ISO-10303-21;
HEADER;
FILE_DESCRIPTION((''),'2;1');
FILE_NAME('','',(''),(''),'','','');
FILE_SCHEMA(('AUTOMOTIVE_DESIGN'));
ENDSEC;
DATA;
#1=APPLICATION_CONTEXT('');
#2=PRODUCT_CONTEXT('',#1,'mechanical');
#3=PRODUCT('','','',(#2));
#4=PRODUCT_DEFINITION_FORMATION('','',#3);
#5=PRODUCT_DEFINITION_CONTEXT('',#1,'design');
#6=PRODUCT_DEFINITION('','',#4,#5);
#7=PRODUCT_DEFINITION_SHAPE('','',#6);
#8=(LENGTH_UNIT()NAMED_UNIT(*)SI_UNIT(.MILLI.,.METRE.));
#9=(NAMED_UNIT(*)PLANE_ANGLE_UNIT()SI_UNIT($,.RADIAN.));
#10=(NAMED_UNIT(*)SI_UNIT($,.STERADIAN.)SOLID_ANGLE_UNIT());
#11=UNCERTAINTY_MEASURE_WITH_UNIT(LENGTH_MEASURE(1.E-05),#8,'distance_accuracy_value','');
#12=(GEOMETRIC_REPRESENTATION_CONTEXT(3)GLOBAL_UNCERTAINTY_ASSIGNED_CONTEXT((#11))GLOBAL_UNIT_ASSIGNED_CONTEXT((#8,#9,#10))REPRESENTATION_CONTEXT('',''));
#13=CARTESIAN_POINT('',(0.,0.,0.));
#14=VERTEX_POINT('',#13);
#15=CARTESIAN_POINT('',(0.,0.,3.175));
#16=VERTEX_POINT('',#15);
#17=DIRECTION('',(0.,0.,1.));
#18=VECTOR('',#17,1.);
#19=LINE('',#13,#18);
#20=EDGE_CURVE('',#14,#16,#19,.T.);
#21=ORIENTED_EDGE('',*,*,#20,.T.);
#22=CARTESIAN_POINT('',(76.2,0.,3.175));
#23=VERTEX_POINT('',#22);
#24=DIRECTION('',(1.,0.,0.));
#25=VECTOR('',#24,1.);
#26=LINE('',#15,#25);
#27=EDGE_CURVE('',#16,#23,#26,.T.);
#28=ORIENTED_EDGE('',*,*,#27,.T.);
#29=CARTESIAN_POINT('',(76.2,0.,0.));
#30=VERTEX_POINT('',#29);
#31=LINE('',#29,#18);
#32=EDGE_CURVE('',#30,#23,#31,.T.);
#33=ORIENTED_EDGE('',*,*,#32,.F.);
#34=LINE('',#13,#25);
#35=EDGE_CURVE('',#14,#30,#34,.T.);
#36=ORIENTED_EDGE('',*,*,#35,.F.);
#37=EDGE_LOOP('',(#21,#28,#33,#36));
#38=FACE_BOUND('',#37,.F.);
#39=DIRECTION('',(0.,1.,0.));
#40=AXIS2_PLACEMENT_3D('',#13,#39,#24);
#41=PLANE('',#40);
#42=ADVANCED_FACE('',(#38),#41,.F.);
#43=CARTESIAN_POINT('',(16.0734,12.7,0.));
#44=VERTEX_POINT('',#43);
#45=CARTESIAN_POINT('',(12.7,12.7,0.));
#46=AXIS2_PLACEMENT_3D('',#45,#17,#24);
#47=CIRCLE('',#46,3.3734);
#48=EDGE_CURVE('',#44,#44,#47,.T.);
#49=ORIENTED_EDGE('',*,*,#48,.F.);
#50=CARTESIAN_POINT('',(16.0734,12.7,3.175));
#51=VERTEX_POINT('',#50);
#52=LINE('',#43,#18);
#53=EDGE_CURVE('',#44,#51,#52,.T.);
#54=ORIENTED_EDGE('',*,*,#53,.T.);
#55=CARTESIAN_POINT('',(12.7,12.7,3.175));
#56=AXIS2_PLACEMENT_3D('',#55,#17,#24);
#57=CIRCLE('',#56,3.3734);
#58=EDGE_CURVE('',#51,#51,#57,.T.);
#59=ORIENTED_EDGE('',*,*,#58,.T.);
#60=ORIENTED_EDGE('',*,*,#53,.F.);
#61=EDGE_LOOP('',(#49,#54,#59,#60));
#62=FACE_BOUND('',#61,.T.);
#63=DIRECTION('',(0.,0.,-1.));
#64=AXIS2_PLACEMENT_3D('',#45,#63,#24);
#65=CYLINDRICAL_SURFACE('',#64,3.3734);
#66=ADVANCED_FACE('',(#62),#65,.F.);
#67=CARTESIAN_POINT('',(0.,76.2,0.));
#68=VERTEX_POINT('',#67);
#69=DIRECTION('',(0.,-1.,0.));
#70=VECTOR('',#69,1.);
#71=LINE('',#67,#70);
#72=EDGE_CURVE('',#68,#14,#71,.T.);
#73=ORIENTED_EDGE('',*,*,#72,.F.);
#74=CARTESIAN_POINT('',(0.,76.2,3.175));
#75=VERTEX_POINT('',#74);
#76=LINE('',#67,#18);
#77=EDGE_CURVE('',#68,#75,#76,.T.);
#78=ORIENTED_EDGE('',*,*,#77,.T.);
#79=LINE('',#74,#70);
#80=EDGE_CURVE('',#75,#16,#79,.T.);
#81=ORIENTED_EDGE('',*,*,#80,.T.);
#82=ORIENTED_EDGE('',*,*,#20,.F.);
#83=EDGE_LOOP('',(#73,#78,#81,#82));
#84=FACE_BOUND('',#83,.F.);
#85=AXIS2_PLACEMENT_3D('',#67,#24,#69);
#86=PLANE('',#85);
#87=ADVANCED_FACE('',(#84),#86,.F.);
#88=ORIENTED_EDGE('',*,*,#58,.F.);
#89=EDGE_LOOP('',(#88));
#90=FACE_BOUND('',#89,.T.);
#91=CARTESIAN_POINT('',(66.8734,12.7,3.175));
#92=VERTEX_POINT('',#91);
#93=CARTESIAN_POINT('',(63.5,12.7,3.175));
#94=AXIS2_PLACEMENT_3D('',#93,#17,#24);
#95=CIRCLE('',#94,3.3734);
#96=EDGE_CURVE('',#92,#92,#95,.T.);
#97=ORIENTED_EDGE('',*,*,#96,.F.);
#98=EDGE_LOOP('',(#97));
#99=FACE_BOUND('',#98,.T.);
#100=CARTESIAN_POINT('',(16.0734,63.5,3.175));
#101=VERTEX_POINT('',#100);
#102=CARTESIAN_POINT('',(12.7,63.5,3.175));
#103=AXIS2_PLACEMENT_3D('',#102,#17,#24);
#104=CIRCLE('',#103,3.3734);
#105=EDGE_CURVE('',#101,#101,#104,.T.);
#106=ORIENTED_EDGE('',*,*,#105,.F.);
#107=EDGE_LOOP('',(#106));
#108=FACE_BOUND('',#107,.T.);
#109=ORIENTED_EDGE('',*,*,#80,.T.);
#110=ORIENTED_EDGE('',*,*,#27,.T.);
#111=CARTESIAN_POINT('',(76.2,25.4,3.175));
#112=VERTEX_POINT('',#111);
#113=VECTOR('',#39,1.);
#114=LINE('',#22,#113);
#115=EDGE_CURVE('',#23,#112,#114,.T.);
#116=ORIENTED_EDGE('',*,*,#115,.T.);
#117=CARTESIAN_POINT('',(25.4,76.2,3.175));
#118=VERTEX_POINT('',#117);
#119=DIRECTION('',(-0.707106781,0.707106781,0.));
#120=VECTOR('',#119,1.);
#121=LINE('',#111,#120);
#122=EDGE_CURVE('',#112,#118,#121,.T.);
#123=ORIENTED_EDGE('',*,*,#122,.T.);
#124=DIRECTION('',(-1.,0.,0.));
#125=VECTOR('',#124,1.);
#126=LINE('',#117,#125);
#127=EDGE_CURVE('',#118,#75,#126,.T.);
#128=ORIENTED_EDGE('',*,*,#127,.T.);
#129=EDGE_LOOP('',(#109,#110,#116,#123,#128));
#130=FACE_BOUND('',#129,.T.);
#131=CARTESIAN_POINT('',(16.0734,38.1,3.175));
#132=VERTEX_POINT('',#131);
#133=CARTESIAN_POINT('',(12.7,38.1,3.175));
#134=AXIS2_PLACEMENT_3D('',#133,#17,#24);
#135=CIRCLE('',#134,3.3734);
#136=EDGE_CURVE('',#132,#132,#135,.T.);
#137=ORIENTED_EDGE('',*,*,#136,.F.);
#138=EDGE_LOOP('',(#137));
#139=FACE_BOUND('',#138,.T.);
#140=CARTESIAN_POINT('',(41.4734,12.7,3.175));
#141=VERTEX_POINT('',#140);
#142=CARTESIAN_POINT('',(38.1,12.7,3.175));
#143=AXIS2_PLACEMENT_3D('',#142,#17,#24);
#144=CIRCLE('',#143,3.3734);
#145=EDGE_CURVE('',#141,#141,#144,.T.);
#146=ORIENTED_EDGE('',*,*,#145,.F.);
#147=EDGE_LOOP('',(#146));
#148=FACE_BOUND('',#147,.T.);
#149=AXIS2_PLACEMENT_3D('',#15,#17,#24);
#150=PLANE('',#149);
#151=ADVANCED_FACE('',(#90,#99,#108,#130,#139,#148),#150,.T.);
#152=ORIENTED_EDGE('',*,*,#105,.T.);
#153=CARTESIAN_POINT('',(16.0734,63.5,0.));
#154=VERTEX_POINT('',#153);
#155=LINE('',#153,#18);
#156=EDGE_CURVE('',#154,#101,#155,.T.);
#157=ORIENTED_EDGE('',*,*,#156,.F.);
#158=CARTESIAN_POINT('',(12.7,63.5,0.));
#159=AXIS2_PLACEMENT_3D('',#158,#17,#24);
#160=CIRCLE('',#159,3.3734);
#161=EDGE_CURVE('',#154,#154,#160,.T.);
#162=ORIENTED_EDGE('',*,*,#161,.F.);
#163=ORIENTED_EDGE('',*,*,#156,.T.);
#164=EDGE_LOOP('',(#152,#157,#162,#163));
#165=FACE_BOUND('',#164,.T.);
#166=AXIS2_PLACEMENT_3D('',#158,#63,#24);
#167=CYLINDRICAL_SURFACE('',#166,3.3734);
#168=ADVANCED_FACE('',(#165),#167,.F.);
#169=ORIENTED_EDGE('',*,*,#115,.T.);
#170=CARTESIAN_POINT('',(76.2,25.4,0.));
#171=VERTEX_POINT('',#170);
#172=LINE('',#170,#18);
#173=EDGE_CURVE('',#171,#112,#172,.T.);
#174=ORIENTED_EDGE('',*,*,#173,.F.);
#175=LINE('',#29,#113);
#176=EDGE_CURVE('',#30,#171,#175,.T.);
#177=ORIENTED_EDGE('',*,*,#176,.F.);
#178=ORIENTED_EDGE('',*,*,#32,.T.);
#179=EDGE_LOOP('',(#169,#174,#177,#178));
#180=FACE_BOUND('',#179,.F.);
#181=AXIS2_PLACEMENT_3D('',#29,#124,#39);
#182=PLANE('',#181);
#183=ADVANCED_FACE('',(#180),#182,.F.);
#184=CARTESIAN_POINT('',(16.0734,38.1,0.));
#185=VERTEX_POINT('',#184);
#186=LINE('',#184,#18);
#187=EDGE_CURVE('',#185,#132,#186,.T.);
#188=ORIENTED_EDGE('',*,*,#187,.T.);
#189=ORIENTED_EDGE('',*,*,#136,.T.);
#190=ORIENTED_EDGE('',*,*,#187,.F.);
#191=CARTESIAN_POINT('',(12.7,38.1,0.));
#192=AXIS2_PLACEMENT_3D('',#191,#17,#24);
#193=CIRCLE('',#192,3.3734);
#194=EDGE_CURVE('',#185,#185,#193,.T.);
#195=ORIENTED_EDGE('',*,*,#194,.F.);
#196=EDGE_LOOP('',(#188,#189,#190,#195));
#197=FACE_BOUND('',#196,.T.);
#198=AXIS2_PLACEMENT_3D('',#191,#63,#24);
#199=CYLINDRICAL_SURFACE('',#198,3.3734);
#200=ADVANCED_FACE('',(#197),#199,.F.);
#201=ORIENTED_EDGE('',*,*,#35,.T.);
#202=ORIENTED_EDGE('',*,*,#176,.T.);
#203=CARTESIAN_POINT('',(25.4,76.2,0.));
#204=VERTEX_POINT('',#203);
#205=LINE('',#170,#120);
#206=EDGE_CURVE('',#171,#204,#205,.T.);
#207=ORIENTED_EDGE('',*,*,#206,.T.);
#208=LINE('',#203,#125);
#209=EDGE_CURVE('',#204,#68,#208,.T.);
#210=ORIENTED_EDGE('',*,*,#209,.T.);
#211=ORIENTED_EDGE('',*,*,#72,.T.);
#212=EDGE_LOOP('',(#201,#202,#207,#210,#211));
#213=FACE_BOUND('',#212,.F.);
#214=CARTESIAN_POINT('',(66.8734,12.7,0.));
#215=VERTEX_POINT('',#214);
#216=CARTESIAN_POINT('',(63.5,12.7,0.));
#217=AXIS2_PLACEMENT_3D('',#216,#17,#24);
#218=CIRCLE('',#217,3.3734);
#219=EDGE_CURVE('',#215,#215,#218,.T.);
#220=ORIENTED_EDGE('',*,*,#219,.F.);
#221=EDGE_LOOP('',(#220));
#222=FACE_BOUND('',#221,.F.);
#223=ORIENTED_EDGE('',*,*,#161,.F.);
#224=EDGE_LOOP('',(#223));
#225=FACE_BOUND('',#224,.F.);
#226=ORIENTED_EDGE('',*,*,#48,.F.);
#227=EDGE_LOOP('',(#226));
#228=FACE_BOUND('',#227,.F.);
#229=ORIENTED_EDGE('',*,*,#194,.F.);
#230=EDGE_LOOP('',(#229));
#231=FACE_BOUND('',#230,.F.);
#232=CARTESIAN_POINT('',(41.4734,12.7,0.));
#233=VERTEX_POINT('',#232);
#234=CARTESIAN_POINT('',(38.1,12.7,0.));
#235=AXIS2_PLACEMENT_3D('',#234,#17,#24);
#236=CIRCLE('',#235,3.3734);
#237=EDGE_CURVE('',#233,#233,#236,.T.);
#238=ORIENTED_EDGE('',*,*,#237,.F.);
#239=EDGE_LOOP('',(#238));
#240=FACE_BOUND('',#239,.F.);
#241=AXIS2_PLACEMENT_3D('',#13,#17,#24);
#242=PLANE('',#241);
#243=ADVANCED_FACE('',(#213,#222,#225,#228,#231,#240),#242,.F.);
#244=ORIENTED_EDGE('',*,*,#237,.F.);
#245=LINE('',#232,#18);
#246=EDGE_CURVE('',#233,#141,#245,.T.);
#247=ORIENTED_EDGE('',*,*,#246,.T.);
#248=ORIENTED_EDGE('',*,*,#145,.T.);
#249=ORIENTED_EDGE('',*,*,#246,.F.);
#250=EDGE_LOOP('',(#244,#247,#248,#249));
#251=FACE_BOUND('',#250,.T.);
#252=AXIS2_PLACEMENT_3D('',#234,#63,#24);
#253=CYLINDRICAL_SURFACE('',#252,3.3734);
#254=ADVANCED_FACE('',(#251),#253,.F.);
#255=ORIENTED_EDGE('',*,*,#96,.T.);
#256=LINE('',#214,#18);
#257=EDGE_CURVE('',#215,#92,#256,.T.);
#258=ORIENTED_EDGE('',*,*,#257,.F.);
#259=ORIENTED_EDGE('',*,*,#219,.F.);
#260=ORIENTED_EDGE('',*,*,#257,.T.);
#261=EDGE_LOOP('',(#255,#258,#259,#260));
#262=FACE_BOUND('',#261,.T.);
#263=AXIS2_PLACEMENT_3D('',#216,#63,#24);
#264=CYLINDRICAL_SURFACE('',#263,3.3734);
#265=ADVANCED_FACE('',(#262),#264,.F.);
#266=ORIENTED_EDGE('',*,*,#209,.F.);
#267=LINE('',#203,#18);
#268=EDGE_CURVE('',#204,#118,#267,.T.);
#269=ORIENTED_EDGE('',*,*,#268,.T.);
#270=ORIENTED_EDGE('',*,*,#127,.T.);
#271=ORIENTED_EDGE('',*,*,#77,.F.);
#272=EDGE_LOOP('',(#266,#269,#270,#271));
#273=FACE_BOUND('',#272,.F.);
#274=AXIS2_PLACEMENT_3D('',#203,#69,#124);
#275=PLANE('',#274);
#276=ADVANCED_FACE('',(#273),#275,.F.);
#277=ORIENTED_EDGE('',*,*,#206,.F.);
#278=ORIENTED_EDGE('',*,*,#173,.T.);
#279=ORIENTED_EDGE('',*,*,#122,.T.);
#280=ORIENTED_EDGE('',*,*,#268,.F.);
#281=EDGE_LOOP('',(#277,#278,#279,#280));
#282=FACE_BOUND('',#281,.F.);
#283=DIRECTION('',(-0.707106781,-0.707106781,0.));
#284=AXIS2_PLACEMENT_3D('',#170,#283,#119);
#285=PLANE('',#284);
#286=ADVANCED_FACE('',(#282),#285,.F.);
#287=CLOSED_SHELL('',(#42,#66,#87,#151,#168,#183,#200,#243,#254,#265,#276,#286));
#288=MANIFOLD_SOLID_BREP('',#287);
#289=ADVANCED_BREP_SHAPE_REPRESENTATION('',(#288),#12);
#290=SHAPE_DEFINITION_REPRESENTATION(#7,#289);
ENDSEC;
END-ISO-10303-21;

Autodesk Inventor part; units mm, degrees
ref_plane "YZ Plane" through (0, 0, 0) normal (1, 0, 0) x (0, 1, 0)
ref_plane "XZ Plane" through (0, 0, 0) normal (0, 1, 0) x (-1, 0, 0)
ref_plane "XY Plane" through (0, 0, 0) normal (0, 0, 1) x (1, 0, 0)
sketch "Sketch1" plane through (0, 0, 0) normal (0, 0, 1) x (1, 0, 0)
  line L0 (0, 0) -> (76.2, 0)
  line L1 (76.2, 0) -> (76.2, 25.4)
  line L2 (76.2, 25.4) -> (25.4, 76.2)
  line L3 (25.4, 76.2) -> (0, 76.2)
  line L4 (0, 76.2) -> (0, 0)
  circle A0 centre (63.5, 12.7) radius 3.3734
  circle A1 centre (38.1, 12.7) radius 3.3734
  circle A2 centre (12.7, 12.7) radius 3.3734
  circle A3 centre (12.7, 38.1) radius 3.3734
  circle A4 centre (12.7, 63.5) radius 3.3734
  line L5 (0, 12.7) -> (76.2, 12.7) construction
  line L6 (12.7, 0) -> (12.7, 76.2) construction
  dimension "d0" = 76.2
  dimension "d1" = 25.4
  dimension "d2" = 25.4
  dimension "d3" = 76.2
  dimension "d6" = 6.7469
  dimension "d10" = 38.1
  dimension "d11" = 63.5
  dimension "d12" = 38.1
  dimension "d15" = 12.7
  dimension "d16" = 12.7
  dimension "d17" = 63.5
extrude "Extrusion1" add sketch "Sketch1" along normal blind 3.175
properties part number "gusset plate" material "Aluminum 6061"
